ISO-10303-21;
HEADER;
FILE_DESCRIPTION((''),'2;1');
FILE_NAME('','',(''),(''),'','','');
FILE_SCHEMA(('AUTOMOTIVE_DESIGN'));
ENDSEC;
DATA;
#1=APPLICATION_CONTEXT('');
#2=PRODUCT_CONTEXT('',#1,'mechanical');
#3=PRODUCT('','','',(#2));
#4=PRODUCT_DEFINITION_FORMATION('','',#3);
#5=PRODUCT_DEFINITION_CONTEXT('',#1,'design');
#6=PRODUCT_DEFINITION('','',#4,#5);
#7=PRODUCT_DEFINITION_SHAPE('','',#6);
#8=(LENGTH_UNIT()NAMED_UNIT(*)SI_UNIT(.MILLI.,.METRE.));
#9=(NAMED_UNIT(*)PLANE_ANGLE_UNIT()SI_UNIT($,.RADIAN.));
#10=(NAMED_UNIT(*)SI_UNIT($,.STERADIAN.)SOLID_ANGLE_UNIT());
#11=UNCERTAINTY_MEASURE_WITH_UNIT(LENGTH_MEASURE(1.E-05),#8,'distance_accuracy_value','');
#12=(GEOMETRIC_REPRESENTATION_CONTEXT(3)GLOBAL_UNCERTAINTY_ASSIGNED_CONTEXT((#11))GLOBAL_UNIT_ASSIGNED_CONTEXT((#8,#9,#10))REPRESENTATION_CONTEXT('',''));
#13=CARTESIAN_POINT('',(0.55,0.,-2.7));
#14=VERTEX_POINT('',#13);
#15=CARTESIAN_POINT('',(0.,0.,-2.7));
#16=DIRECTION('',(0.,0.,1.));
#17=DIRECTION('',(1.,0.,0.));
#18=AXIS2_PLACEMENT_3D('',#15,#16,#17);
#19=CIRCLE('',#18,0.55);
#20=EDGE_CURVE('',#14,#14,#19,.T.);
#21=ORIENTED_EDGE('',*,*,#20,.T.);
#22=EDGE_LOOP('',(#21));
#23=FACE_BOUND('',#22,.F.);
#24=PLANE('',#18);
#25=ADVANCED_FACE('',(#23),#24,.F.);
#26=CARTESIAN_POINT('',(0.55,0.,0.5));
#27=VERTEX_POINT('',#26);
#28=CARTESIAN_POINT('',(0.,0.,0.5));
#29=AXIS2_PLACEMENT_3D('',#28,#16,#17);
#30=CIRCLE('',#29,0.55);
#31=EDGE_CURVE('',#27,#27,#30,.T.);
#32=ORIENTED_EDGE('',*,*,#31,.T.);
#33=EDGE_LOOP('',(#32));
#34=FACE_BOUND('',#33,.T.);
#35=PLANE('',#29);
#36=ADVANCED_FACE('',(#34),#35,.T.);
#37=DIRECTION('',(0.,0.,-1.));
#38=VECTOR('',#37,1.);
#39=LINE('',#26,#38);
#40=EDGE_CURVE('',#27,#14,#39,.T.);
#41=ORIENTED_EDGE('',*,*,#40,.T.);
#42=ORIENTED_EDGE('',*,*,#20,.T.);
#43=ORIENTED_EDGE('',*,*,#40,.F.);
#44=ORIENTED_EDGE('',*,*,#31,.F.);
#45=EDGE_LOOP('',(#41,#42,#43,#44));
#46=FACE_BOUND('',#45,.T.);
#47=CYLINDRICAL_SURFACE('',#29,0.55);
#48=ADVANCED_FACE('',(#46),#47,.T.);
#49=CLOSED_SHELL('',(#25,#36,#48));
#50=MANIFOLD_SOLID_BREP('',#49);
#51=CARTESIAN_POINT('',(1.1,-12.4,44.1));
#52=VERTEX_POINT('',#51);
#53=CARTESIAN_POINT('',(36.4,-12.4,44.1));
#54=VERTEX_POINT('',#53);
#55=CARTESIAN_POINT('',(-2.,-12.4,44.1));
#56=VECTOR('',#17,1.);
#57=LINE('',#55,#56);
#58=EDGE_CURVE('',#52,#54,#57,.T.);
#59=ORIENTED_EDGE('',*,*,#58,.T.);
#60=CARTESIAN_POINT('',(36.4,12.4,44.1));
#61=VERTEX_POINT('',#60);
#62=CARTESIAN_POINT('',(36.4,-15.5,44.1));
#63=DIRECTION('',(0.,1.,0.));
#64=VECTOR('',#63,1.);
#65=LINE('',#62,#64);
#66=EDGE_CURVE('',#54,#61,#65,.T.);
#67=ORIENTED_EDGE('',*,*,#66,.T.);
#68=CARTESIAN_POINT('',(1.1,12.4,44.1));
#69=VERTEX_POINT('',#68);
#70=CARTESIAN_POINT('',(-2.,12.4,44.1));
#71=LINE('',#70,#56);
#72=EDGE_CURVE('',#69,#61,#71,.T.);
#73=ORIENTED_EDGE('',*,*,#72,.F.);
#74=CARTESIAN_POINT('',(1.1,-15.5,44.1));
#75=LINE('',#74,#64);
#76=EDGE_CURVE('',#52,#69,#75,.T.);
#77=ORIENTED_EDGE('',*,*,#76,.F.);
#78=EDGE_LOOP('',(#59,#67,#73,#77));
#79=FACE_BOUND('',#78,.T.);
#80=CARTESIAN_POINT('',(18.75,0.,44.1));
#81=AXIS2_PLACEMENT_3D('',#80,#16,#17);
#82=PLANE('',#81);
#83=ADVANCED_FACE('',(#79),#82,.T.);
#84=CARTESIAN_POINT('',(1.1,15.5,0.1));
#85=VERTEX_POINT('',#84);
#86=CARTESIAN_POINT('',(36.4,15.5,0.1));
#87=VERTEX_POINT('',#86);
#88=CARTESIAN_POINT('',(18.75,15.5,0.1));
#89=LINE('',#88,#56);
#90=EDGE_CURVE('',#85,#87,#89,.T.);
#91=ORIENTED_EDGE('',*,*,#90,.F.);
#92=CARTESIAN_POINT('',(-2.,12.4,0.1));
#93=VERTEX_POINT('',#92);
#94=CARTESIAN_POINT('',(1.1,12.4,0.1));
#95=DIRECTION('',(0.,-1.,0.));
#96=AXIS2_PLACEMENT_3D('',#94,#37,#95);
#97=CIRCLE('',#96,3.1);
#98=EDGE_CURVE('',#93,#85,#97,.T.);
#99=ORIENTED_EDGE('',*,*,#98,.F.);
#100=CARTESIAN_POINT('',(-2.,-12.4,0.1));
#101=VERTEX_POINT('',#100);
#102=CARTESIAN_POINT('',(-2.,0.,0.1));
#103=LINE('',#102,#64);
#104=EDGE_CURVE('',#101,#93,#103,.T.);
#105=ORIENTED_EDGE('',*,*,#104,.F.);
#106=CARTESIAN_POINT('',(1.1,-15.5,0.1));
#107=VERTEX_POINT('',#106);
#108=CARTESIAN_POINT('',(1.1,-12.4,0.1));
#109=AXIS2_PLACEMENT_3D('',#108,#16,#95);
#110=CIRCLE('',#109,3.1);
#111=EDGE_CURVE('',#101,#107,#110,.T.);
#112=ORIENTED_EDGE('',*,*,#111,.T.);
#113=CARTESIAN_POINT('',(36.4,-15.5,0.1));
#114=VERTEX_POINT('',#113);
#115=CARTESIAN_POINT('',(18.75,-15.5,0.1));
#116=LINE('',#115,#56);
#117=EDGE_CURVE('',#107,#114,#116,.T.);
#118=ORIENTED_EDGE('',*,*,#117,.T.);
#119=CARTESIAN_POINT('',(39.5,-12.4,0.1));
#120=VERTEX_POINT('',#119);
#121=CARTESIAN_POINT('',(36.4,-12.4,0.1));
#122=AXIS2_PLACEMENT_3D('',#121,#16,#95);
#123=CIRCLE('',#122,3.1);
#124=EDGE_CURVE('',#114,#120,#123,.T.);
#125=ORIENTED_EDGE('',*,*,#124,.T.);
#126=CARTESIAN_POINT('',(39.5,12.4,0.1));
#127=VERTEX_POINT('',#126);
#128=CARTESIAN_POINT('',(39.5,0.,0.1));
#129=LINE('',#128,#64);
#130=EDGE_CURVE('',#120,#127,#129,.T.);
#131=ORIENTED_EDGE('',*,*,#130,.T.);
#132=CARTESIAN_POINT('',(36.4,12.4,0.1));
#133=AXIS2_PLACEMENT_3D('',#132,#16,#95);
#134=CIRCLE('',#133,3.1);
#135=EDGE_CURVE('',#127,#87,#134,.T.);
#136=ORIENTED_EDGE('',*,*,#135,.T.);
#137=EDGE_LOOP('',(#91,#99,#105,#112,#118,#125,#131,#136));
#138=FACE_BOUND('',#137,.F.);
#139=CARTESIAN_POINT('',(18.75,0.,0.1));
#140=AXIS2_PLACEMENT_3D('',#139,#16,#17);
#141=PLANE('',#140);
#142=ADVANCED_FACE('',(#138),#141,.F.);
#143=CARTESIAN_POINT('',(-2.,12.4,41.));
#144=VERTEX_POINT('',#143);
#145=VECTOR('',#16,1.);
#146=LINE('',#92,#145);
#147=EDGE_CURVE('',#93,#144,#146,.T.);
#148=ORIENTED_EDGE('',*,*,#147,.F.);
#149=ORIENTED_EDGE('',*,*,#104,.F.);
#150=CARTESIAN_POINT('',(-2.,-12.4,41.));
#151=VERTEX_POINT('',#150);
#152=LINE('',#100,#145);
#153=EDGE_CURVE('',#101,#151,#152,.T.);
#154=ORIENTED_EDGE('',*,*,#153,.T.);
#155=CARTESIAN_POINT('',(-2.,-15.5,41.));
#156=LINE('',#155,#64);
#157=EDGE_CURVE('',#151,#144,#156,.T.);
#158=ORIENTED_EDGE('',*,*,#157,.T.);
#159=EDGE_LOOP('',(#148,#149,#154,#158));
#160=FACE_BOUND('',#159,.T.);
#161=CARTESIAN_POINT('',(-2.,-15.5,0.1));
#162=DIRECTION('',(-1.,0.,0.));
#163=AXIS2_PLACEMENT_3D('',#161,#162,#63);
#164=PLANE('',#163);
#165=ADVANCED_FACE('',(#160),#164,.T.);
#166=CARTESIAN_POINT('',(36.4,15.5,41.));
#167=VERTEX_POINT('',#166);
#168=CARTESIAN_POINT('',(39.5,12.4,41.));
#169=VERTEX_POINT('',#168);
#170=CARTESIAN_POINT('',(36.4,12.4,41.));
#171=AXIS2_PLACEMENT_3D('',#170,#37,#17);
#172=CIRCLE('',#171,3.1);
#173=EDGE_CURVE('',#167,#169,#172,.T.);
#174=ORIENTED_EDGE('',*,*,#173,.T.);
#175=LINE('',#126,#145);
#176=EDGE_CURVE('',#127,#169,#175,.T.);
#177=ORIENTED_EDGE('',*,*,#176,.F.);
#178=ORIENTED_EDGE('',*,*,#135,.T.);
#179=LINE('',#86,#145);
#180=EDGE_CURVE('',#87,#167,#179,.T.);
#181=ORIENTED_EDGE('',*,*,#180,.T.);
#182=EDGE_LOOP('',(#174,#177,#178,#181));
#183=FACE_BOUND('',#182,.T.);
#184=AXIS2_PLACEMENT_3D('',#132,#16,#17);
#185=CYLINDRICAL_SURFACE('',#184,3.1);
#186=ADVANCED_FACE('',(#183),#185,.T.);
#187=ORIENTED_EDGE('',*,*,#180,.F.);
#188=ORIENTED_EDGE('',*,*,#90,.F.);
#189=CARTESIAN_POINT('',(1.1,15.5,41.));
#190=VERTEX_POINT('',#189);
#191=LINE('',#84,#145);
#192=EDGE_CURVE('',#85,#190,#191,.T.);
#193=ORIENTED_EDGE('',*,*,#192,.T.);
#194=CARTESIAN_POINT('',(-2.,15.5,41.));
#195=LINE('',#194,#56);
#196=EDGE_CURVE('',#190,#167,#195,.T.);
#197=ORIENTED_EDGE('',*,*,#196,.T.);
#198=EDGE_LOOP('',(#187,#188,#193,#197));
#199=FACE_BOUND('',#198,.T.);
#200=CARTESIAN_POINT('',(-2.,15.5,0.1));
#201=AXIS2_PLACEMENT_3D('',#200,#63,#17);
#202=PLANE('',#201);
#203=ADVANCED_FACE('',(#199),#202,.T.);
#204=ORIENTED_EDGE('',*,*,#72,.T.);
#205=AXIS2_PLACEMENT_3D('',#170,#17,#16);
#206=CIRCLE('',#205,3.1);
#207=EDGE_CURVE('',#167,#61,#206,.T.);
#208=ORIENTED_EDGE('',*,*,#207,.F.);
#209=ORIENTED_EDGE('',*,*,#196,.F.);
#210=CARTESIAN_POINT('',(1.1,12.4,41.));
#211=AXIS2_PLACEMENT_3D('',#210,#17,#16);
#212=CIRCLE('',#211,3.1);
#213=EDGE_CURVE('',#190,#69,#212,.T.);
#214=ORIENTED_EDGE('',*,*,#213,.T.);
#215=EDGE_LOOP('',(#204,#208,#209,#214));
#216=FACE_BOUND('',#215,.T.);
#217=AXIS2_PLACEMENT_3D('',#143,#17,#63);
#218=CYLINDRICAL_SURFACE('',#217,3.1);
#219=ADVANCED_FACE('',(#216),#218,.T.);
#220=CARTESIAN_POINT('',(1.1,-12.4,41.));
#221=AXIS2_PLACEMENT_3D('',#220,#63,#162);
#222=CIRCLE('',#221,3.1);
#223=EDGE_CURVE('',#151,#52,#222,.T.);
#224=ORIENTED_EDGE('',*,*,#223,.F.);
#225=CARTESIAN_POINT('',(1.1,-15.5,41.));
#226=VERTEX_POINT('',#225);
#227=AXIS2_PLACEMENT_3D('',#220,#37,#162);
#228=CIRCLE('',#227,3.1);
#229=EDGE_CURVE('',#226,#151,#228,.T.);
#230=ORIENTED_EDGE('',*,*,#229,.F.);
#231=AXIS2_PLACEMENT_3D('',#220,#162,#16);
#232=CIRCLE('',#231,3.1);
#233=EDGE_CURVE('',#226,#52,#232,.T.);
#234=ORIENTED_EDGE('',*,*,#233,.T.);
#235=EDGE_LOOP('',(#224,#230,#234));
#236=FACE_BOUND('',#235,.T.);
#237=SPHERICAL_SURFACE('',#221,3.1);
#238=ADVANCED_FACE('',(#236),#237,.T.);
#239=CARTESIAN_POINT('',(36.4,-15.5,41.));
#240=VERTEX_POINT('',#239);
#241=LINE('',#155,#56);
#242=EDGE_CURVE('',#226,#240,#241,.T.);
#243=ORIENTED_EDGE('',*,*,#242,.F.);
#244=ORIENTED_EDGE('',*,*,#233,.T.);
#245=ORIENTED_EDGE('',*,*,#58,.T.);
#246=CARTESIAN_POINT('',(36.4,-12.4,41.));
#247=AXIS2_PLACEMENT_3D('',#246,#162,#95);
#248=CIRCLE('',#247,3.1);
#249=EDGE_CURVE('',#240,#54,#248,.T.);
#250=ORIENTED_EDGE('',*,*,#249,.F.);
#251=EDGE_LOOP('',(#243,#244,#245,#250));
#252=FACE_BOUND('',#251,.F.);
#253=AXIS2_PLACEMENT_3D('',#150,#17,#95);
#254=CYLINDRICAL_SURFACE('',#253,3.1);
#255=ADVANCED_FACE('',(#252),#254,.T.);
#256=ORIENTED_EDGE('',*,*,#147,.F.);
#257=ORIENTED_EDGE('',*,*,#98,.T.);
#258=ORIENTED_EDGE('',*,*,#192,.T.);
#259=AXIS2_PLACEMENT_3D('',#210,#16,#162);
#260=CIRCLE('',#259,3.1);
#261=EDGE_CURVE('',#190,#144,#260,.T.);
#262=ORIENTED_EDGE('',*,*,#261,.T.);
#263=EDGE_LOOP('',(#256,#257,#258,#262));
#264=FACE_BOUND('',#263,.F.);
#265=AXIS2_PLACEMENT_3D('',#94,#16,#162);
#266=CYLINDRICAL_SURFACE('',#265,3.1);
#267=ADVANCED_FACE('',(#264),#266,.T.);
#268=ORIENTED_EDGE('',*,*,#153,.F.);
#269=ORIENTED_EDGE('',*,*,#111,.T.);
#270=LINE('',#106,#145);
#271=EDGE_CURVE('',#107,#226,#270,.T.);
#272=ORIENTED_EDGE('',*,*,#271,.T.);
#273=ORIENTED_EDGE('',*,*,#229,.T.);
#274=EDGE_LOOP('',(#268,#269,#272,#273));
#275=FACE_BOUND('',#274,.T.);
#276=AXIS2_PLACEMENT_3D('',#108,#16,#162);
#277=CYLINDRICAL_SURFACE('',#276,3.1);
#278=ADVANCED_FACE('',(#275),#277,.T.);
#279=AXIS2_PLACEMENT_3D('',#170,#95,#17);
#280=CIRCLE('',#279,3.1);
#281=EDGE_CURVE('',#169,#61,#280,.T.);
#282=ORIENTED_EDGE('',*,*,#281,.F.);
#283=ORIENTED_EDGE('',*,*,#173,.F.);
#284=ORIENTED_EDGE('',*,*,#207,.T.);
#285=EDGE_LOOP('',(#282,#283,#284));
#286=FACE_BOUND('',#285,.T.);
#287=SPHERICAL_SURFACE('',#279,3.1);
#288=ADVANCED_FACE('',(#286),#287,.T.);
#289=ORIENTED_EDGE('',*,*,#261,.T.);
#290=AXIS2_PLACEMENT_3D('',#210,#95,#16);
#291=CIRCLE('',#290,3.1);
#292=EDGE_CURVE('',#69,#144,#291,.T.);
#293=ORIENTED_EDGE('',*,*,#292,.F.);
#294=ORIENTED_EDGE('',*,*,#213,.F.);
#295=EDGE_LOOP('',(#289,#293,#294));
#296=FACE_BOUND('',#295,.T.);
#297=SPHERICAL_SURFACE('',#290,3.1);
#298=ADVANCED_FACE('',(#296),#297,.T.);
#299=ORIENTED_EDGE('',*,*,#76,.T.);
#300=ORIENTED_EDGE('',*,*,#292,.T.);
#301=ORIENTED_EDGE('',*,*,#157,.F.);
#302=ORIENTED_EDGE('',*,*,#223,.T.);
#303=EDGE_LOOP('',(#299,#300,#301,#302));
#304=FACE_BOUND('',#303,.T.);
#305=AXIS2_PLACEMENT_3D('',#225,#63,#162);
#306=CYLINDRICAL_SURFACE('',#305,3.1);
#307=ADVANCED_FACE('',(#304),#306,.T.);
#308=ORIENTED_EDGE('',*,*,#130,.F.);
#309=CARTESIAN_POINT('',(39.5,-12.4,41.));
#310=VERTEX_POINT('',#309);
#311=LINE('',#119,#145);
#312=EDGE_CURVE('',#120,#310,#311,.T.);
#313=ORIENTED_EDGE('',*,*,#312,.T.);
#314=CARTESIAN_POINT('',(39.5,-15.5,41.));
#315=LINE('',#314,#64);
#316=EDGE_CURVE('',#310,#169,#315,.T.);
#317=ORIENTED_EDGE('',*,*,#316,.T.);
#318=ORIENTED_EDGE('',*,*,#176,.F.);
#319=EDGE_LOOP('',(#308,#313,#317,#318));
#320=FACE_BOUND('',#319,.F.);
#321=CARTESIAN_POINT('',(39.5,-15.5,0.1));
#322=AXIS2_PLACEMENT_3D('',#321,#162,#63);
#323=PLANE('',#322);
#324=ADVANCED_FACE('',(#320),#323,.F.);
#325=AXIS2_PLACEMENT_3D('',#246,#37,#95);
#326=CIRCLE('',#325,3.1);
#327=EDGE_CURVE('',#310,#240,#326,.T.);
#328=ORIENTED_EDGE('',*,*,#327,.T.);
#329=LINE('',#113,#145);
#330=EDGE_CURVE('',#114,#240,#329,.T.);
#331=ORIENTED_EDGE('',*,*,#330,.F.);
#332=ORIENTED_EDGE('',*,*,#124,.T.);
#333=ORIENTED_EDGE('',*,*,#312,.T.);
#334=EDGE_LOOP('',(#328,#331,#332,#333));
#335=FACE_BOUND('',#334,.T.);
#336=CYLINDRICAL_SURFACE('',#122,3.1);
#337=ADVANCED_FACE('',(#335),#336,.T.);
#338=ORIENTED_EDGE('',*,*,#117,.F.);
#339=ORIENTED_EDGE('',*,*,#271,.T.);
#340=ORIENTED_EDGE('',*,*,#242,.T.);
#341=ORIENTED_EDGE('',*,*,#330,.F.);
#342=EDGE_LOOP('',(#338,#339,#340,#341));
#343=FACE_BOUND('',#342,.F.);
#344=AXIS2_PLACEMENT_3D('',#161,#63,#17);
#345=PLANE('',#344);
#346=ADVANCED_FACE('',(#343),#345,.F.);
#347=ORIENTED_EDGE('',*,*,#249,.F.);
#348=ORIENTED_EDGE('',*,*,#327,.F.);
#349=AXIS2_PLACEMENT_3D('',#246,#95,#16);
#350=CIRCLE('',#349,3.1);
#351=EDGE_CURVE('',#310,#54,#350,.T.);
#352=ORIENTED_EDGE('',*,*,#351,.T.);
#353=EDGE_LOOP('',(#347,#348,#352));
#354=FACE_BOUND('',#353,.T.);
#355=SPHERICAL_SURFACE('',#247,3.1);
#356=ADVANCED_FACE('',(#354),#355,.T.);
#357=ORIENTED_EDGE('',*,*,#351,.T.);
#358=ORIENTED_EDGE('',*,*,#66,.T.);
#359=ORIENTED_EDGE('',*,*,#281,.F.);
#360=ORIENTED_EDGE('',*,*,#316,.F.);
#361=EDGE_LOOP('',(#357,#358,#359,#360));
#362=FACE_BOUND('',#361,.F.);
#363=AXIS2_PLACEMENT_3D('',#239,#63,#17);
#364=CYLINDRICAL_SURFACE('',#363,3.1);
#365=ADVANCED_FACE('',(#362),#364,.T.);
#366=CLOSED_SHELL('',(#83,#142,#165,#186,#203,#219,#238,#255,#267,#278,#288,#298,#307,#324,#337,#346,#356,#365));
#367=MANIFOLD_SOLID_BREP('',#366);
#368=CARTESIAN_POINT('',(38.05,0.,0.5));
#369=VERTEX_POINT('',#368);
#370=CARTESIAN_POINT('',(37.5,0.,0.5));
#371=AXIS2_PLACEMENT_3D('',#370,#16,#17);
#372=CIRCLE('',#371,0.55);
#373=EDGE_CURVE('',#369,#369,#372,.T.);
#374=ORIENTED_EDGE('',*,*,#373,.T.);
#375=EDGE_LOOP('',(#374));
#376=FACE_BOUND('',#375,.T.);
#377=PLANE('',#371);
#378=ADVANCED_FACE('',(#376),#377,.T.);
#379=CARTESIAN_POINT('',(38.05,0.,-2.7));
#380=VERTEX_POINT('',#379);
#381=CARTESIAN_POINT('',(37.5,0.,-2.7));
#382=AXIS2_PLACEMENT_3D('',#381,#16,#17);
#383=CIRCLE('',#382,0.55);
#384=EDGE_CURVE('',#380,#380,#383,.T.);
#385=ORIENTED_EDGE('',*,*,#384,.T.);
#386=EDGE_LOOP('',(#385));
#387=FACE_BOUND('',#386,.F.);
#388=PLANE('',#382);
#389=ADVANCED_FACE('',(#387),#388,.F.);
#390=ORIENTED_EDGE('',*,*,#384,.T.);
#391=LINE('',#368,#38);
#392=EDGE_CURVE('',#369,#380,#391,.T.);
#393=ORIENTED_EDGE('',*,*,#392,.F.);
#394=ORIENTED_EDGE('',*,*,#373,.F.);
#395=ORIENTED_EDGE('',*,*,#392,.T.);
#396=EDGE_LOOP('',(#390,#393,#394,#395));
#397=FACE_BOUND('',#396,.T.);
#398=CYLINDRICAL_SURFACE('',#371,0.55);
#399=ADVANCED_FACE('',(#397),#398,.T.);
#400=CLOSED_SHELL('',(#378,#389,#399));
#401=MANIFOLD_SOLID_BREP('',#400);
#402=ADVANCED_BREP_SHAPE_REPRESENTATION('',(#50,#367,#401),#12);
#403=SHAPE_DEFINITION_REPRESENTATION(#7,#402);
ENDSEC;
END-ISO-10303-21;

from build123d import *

# Parameters (mm, degrees)
SKETCH_W     = 41.5
SKETCH_H     = 31
PAD_DEPTH    = 44
FILLET_R     = 3.1
SKETCH001_R  = 0.55
PAD001_DEPTH = 3.2


with BuildPart() as fillet_body:
    # Sketch → Pad (new body)
    with BuildSketch(Plane.XY.offset(0.1)):
        with Locations((18.75, 0)):
            Rectangle(SKETCH_W, SKETCH_H)
    extrude(amount=PAD_DEPTH)

    # Fillet
    fillet_edges = [fillet_body.edges().sort_by_distance(p)[0] for p in [
        (-2, 0, 44.1),
        (-2, -15.5, 22.1),
        (18.75, -15.5, 44.1),
        (39.5, -15.5, 22.1),
        (39.5, 0, 44.1),
        (39.5, 15.5, 22.1),
        (18.75, 15.5, 44.1),
        (-2, 15.5, 22.1),
    ]]
    fillet(fillet_edges, radius=FILLET_R)


with BuildPart() as pad001:
    # Sketch001 → Pad001 (new body)
    with BuildSketch(Plane.XY.offset(0.5)):
        Circle(SKETCH001_R)
        with Locations((37.5, 0)):
            Circle(SKETCH001_R)
    extrude(amount=-PAD001_DEPTH)


solid = Compound([fillet_body.part, pad001.part])
